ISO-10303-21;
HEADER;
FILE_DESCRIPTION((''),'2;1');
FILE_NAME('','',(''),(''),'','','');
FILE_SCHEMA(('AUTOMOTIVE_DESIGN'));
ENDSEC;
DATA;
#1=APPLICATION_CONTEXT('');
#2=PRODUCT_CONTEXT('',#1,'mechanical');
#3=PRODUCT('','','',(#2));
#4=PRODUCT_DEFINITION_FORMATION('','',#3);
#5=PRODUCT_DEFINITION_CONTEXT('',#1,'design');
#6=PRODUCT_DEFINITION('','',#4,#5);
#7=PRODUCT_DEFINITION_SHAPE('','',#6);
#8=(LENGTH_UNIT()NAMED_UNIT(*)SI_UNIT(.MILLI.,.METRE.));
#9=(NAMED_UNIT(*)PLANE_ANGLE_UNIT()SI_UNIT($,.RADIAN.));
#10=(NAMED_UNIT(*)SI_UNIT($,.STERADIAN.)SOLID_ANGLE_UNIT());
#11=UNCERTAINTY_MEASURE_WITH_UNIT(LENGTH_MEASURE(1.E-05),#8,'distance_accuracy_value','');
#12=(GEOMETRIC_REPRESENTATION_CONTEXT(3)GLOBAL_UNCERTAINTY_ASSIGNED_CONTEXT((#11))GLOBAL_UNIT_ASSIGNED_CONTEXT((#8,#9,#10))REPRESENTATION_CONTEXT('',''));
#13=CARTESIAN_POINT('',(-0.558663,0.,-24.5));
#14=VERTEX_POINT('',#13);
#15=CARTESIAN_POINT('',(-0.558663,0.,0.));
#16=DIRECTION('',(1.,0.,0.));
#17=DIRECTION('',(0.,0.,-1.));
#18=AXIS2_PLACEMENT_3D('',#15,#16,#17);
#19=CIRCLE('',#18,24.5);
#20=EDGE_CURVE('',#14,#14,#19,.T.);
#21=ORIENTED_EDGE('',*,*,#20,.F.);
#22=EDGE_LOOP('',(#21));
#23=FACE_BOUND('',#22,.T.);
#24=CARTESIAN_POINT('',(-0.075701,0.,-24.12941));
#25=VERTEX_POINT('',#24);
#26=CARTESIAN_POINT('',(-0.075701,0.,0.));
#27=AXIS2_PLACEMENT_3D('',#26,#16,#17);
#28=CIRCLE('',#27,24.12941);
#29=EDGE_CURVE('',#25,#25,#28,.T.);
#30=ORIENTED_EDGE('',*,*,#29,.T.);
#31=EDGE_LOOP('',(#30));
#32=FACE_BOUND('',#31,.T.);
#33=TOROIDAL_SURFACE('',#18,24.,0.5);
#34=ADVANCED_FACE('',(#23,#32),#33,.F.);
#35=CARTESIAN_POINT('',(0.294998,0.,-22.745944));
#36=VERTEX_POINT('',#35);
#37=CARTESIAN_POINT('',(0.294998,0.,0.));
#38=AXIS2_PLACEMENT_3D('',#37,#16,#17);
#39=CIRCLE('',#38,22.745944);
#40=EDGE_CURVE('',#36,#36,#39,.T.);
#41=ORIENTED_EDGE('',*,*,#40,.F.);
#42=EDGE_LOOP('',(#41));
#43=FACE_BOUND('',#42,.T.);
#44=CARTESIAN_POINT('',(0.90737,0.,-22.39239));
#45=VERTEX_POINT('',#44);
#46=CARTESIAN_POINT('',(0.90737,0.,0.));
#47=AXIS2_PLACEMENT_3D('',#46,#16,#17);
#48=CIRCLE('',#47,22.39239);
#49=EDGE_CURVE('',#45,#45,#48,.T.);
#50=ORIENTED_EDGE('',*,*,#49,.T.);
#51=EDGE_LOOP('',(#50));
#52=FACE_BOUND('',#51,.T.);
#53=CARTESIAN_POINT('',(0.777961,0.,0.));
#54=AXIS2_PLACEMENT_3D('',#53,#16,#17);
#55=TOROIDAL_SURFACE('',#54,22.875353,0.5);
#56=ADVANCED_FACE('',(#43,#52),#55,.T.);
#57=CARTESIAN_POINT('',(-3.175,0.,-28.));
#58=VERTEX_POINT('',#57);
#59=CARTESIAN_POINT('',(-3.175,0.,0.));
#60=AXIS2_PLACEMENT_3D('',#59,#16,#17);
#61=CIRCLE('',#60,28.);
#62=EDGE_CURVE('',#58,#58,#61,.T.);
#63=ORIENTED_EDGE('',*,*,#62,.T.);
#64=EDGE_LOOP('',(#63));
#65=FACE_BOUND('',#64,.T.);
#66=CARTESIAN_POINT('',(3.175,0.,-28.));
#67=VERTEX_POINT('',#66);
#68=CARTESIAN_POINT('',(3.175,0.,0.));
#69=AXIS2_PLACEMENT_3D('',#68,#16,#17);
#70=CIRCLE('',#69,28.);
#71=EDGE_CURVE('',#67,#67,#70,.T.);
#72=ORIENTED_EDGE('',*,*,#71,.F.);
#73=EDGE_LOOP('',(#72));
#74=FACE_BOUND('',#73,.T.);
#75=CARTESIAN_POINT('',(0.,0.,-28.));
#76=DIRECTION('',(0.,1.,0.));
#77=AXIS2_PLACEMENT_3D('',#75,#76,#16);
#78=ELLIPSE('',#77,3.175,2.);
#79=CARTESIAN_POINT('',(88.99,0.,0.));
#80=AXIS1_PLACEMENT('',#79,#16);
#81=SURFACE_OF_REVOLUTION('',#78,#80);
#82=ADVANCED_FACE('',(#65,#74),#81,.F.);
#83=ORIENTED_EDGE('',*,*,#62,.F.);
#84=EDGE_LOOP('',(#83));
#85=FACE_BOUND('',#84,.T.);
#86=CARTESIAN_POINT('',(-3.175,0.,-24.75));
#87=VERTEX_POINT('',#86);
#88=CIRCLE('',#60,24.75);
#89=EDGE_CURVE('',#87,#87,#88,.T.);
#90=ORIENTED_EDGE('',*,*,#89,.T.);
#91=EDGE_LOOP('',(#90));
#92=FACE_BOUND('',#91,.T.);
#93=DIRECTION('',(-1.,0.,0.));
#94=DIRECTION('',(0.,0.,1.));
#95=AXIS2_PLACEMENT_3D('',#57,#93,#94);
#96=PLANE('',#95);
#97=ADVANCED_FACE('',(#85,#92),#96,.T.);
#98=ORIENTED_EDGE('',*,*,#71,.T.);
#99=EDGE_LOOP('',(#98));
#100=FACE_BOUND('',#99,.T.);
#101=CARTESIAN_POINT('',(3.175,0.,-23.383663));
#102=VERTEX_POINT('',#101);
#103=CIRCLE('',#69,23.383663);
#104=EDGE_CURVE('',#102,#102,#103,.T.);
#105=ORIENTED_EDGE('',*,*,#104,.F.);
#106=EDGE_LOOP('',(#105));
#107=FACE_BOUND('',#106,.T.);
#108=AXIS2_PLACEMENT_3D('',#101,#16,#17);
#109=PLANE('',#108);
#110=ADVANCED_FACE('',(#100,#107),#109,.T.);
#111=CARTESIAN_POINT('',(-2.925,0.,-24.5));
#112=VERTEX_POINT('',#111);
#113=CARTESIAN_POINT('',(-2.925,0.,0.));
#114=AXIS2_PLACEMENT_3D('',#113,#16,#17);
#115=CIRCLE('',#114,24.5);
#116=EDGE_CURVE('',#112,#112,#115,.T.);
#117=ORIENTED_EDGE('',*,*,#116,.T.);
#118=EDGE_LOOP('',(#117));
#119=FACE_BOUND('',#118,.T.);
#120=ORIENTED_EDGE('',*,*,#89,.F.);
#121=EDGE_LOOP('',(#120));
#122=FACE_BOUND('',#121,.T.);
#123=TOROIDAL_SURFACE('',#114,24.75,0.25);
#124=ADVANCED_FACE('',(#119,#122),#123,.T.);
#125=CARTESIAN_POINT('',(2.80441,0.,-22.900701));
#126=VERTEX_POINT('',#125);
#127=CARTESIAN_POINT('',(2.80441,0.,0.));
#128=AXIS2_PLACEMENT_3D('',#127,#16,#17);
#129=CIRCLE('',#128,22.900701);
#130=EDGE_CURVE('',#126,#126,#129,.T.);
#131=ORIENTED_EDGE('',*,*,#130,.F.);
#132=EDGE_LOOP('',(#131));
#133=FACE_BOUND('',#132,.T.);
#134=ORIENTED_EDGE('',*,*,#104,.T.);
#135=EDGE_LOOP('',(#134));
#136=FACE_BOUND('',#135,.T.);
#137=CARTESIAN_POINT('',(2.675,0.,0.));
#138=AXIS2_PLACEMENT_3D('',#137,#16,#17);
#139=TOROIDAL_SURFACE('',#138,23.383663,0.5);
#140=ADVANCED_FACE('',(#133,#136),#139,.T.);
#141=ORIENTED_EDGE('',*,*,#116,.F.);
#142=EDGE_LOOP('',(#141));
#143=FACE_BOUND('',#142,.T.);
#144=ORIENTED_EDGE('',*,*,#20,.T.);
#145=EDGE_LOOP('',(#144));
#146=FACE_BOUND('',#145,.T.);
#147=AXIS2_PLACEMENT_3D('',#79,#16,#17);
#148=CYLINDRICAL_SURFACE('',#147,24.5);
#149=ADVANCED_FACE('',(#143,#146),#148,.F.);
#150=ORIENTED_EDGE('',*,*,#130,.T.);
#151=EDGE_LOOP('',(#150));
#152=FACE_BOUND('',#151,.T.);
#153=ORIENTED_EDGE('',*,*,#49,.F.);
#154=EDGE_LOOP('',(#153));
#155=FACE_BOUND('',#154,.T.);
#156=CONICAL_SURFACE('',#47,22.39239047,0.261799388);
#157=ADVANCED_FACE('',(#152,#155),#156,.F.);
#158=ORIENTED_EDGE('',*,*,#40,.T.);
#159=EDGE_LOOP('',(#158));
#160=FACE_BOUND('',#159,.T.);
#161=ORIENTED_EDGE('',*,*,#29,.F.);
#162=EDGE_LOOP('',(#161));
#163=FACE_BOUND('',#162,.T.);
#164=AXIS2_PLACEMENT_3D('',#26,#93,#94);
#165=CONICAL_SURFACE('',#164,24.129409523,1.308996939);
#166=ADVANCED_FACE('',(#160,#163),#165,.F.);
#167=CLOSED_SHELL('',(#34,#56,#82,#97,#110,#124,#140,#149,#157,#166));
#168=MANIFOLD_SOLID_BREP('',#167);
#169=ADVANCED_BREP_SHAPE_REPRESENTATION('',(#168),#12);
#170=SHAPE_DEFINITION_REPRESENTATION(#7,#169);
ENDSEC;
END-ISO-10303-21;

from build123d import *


with BuildPart() as part:
    # Sketch1 → Revolve1 (revolve)
    with BuildSketch(Plane(origin=(0, 0, 0), x_dir=(1, 0, 0), z_dir=(0, 1, 0))):
        with BuildLine():
            Line((-3.175, 28), (-3.175, 24.75))
            ThreePointArc((-3.175, 24.75), (-3.101776695, 24.573223305), (-2.925, 24.5))
            Line((-2.925, 24.5), (-0.558663494, 24.5))
            ThreePointArc((-0.558663494, 24.5), (-0.254282779, 24.39667667), (-0.075700581, 24.129409523))
            Line((-0.075700581, 24.129409523), (0.294997926, 22.74594386))
            ThreePointArc((0.294997926, 22.74594386), (0.527960839, 22.442340681), (0.907370362, 22.39239047))
            Line((0.907370362, 22.39239047), (2.804409523, 22.900700581))
            ThreePointArc((2.804409523, 22.900700581), (3.07167667, 23.079282779), (3.175, 23.383663494))
            Line((3.175, 23.383663494), (3.175, 28))
            add(Edge.make_bspline(
                [(3.175, 28), (3.175, 30), (0, 30), (-3.175, 30), (-3.175, 28)],
                knots=[0, 0, 0, 1.570796327, 1.570796327, 3.141592654, 3.141592654, 3.141592654], degree=2, weights=[1, 0.707106781, 1, 0.707106781, 1]))
        make_face()
    revolve(axis=Axis((88.99, 0, 0), (-1, 0, 0)))


solid = part.part
